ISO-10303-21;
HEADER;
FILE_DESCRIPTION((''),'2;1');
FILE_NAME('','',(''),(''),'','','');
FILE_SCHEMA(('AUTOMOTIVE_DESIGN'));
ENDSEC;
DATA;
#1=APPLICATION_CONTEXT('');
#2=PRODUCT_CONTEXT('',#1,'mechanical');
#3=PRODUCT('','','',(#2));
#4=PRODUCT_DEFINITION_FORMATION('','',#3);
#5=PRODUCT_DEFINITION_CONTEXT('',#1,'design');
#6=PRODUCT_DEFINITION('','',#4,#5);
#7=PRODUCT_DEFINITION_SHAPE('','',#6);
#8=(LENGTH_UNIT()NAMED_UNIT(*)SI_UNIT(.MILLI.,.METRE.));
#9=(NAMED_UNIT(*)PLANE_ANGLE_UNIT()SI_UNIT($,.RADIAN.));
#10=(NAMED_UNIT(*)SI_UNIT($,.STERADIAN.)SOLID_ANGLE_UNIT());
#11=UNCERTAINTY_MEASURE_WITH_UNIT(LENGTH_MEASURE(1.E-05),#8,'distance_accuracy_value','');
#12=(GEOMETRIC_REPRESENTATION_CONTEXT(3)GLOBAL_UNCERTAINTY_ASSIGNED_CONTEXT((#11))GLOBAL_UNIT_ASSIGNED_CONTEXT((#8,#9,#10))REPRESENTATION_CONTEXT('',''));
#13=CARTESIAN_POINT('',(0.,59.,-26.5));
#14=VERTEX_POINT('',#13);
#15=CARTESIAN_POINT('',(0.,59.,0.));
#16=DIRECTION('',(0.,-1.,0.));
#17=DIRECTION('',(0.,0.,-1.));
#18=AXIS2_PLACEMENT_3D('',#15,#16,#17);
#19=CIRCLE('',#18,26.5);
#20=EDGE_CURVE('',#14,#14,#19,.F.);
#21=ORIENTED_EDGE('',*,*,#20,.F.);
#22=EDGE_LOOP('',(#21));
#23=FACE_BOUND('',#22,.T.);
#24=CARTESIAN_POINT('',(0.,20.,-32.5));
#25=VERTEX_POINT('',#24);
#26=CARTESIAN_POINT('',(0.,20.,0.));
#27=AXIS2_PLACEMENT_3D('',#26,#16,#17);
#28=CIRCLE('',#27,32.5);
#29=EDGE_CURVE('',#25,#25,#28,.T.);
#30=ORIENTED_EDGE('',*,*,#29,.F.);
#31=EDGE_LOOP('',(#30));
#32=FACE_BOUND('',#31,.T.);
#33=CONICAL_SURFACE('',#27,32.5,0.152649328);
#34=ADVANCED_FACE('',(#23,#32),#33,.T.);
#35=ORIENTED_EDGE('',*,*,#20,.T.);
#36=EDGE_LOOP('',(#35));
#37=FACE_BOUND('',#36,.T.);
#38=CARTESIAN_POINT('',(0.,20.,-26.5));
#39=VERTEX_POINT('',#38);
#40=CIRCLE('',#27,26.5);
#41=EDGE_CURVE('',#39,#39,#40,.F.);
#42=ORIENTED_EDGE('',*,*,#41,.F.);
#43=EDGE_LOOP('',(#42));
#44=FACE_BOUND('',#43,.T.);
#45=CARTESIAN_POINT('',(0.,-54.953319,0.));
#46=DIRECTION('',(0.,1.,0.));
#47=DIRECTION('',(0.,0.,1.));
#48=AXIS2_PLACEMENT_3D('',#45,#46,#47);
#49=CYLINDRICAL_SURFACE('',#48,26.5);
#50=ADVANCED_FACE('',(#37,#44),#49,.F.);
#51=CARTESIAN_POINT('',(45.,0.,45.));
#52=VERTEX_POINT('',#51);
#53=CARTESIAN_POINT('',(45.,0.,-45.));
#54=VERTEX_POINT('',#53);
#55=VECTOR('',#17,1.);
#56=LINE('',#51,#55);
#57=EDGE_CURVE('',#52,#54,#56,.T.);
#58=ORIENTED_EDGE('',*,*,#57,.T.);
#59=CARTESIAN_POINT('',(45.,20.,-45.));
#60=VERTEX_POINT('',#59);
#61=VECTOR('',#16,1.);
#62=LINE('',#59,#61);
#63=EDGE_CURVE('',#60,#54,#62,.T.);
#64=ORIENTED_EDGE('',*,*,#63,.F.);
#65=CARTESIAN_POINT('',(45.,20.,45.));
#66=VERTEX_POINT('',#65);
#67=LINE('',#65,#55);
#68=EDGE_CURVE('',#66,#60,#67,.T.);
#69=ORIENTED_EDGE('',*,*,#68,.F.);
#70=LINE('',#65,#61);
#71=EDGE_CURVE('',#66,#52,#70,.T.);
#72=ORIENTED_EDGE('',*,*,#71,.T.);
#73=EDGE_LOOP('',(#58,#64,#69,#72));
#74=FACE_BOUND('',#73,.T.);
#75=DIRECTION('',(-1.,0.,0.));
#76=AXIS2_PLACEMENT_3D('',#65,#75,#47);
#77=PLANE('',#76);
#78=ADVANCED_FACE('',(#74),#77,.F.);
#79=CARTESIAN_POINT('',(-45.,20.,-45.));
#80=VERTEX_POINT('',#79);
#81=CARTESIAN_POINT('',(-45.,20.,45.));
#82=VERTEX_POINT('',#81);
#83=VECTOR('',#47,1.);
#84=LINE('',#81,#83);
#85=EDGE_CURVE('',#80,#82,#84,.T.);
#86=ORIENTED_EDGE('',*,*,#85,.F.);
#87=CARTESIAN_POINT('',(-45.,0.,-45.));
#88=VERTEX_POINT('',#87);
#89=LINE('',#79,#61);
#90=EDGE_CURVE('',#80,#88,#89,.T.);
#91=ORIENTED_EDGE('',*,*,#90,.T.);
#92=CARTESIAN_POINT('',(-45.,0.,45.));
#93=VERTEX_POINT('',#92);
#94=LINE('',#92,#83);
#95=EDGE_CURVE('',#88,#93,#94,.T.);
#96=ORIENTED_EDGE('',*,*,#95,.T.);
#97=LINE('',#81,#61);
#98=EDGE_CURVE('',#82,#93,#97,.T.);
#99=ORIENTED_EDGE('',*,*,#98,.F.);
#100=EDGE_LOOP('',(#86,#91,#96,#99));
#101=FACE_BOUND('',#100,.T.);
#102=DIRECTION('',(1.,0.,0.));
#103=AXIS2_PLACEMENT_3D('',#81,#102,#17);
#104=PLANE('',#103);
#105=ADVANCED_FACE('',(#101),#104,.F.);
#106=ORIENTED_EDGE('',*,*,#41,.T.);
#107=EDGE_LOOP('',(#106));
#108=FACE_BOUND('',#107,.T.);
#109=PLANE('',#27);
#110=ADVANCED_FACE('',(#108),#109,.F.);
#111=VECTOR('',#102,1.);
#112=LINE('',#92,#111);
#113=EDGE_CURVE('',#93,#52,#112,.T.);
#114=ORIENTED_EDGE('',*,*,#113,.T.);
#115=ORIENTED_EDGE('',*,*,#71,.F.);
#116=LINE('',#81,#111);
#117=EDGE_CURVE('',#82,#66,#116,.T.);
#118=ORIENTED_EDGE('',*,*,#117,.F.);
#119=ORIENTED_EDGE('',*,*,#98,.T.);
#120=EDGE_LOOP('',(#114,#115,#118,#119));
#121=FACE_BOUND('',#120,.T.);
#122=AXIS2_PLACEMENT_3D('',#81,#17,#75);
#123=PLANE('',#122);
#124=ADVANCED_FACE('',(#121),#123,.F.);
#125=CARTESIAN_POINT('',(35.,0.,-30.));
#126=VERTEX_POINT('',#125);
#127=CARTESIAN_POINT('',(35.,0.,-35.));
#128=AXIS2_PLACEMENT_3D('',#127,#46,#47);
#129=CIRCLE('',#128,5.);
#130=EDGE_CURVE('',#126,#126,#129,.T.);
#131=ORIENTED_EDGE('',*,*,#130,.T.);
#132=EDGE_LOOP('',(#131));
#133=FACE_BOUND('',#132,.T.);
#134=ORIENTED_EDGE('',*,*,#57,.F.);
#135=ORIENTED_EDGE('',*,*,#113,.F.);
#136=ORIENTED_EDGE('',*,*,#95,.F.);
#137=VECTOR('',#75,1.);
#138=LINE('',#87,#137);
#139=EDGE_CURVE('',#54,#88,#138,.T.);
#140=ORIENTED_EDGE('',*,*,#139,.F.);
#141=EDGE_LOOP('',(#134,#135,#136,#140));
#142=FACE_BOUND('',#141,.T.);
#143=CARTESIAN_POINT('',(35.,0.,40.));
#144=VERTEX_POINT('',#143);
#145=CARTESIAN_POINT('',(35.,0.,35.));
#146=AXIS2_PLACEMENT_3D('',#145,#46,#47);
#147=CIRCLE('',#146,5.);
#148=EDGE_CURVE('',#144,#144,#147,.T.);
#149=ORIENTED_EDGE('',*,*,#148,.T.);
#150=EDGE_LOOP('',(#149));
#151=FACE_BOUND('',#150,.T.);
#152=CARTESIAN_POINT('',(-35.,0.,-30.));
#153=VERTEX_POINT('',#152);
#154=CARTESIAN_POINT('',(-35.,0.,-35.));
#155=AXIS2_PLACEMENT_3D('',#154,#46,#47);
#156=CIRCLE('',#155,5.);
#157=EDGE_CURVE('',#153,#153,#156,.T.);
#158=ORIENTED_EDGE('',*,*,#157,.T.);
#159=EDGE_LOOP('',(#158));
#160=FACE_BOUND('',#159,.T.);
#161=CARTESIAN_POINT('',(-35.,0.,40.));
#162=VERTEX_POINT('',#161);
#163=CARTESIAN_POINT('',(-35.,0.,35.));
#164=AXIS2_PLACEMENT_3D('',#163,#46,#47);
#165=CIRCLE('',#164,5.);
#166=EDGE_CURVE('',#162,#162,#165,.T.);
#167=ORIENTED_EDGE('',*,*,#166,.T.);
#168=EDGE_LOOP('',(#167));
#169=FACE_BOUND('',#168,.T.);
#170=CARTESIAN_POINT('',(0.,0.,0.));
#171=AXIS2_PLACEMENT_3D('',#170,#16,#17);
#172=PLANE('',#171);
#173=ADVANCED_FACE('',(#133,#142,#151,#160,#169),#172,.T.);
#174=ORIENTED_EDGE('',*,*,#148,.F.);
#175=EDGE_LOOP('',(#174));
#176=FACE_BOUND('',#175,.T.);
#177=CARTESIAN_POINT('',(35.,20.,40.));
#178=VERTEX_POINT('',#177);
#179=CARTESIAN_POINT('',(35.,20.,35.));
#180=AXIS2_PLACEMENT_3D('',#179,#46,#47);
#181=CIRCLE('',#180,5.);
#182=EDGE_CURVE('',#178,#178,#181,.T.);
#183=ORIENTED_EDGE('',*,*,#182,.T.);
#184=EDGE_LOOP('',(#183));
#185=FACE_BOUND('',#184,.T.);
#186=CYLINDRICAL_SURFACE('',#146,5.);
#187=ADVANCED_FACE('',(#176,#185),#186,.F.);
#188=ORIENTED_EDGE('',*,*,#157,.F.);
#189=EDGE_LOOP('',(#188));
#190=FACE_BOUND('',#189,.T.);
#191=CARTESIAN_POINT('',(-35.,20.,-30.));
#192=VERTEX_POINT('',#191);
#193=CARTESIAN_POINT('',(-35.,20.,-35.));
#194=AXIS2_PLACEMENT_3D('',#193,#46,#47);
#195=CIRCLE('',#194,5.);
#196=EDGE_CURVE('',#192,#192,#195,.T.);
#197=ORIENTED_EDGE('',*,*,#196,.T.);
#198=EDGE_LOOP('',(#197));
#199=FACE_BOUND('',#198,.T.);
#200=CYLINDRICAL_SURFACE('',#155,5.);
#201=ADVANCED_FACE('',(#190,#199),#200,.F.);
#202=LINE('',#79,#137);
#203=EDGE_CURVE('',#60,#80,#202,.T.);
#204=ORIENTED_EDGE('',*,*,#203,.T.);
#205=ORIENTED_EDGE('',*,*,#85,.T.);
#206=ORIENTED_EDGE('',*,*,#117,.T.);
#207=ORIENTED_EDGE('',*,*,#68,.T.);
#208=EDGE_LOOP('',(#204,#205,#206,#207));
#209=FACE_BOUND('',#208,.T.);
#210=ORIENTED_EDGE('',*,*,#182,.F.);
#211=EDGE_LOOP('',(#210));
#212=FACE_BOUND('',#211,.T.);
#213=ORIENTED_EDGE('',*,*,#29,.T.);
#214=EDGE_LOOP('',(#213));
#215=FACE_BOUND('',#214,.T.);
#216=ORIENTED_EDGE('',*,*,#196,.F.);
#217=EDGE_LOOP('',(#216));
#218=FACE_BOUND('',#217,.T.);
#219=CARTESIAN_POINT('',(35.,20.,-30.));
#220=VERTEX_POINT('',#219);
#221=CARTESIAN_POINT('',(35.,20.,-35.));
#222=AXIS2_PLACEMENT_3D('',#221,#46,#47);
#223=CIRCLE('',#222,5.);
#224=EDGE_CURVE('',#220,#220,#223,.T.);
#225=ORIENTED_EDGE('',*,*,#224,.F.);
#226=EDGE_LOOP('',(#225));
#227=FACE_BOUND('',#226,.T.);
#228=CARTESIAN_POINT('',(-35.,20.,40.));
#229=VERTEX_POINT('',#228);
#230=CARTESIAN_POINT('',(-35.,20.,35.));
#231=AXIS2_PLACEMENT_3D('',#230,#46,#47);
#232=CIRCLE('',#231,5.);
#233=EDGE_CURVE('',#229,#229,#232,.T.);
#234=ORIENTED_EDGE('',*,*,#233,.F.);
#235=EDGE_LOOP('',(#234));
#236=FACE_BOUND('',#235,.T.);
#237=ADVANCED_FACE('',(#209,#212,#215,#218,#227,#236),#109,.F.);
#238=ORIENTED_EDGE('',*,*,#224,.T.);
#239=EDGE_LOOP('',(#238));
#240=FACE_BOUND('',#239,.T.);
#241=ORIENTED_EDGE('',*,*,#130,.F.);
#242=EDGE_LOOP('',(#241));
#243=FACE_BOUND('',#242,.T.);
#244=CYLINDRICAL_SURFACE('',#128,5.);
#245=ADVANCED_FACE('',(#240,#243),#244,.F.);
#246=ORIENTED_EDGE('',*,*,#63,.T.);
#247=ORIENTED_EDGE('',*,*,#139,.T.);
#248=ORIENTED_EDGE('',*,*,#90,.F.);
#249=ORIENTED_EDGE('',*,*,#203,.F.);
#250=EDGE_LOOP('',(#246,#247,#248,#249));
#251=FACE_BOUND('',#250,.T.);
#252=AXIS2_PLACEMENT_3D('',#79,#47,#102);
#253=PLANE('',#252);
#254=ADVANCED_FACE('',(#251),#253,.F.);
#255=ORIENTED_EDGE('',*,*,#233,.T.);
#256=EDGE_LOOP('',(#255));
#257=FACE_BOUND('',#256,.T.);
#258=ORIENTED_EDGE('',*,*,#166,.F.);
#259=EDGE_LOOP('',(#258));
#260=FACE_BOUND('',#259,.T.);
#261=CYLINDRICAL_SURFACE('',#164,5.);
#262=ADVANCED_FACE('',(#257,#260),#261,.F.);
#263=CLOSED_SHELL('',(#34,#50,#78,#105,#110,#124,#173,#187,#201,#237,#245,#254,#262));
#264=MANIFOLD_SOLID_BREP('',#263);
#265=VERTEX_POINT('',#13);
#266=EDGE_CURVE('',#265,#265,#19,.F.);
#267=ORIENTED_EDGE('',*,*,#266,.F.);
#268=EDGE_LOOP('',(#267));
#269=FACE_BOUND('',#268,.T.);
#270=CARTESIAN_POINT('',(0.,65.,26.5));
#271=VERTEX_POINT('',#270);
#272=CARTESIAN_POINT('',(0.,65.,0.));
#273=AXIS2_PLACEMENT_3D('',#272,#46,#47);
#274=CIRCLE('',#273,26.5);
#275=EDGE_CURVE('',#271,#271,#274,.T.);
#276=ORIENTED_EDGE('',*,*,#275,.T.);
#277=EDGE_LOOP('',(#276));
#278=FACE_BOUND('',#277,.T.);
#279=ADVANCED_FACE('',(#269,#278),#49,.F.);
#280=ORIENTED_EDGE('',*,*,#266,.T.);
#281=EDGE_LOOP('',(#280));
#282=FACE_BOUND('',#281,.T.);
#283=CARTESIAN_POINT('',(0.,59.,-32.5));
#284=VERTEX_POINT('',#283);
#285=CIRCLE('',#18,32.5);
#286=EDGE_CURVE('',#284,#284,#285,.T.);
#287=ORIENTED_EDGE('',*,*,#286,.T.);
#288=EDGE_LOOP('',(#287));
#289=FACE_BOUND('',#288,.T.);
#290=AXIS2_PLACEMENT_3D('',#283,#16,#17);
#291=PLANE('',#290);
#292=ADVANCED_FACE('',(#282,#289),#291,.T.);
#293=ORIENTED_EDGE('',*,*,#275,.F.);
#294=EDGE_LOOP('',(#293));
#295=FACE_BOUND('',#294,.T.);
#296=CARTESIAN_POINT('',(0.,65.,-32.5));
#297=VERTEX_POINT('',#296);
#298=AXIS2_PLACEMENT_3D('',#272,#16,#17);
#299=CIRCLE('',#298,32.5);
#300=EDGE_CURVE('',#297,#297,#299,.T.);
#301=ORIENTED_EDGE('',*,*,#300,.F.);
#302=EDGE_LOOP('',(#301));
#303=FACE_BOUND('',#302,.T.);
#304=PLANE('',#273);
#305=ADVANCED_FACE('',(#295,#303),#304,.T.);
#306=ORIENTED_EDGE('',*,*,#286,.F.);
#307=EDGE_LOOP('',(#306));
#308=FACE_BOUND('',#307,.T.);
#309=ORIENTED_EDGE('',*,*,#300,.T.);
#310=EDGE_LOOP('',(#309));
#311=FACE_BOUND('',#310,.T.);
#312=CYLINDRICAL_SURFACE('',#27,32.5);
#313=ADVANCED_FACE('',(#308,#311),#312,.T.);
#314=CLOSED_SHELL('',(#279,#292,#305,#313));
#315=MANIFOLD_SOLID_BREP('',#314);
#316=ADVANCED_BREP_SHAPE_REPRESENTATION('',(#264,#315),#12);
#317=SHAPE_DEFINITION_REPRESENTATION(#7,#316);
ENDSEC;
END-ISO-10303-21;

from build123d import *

# Parameters (mm, degrees)
SKETCH1_W           = 90
SKETCH1_H           = 90
BOSS_EXTRUDE1_DEPTH = 20
SKETCH3_R           = 26.5
CUT_EXTRUDE1_DEPTH  = 45
SKETCH4_R           = 5
CUT_EXTRUDE2_DEPTH  = 21


with BuildPart() as part:
    # Sketch1 → Boss-Extrude1 (new body)
    with BuildSketch(Plane(origin=(0, 0, 0), x_dir=(1, 0, 0), z_dir=(0, 1, 0))):
        Rectangle(SKETCH1_W, SKETCH1_H)
    extrude(amount=BOSS_EXTRUDE1_DEPTH)

    # Sketch2 → Revolve1 (revolve)
    with BuildSketch(Plane(origin=(0, 0, 0), x_dir=(0, 0, -1), z_dir=(1, 0, 0))):
        Polygon((0, 20), (0, 65), (32.5, 65), (32.5, 59), (26.5, 59), (32.5, 20), align=None)
    revolve(axis=Axis((0, 20, 0), (0, 1, 0)))

    # Sketch3 → Cut-Extrude1 (cut)
    with BuildSketch(Plane(origin=(0, 65, 0), x_dir=(1, 0, 0), z_dir=(0, 1, 0))):
        Circle(SKETCH3_R)
    extrude(amount=-CUT_EXTRUDE1_DEPTH, mode=Mode.SUBTRACT)

    # Sketch4 → Cut-Extrude2 (cut, through all)
    with BuildSketch(Plane(origin=(0, 20, 0), x_dir=(1, 0, 0), z_dir=(0, 1, 0))):
        with Locations((-35, -35)):
            Circle(SKETCH4_R)
        with Locations((35, -35)):
            Circle(SKETCH4_R)
        with Locations((35, 35)):
            Circle(SKETCH4_R)
        with Locations((-35, 35)):
            Circle(SKETCH4_R)
    extrude(amount=-CUT_EXTRUDE2_DEPTH, mode=Mode.SUBTRACT)


solid = part.part
